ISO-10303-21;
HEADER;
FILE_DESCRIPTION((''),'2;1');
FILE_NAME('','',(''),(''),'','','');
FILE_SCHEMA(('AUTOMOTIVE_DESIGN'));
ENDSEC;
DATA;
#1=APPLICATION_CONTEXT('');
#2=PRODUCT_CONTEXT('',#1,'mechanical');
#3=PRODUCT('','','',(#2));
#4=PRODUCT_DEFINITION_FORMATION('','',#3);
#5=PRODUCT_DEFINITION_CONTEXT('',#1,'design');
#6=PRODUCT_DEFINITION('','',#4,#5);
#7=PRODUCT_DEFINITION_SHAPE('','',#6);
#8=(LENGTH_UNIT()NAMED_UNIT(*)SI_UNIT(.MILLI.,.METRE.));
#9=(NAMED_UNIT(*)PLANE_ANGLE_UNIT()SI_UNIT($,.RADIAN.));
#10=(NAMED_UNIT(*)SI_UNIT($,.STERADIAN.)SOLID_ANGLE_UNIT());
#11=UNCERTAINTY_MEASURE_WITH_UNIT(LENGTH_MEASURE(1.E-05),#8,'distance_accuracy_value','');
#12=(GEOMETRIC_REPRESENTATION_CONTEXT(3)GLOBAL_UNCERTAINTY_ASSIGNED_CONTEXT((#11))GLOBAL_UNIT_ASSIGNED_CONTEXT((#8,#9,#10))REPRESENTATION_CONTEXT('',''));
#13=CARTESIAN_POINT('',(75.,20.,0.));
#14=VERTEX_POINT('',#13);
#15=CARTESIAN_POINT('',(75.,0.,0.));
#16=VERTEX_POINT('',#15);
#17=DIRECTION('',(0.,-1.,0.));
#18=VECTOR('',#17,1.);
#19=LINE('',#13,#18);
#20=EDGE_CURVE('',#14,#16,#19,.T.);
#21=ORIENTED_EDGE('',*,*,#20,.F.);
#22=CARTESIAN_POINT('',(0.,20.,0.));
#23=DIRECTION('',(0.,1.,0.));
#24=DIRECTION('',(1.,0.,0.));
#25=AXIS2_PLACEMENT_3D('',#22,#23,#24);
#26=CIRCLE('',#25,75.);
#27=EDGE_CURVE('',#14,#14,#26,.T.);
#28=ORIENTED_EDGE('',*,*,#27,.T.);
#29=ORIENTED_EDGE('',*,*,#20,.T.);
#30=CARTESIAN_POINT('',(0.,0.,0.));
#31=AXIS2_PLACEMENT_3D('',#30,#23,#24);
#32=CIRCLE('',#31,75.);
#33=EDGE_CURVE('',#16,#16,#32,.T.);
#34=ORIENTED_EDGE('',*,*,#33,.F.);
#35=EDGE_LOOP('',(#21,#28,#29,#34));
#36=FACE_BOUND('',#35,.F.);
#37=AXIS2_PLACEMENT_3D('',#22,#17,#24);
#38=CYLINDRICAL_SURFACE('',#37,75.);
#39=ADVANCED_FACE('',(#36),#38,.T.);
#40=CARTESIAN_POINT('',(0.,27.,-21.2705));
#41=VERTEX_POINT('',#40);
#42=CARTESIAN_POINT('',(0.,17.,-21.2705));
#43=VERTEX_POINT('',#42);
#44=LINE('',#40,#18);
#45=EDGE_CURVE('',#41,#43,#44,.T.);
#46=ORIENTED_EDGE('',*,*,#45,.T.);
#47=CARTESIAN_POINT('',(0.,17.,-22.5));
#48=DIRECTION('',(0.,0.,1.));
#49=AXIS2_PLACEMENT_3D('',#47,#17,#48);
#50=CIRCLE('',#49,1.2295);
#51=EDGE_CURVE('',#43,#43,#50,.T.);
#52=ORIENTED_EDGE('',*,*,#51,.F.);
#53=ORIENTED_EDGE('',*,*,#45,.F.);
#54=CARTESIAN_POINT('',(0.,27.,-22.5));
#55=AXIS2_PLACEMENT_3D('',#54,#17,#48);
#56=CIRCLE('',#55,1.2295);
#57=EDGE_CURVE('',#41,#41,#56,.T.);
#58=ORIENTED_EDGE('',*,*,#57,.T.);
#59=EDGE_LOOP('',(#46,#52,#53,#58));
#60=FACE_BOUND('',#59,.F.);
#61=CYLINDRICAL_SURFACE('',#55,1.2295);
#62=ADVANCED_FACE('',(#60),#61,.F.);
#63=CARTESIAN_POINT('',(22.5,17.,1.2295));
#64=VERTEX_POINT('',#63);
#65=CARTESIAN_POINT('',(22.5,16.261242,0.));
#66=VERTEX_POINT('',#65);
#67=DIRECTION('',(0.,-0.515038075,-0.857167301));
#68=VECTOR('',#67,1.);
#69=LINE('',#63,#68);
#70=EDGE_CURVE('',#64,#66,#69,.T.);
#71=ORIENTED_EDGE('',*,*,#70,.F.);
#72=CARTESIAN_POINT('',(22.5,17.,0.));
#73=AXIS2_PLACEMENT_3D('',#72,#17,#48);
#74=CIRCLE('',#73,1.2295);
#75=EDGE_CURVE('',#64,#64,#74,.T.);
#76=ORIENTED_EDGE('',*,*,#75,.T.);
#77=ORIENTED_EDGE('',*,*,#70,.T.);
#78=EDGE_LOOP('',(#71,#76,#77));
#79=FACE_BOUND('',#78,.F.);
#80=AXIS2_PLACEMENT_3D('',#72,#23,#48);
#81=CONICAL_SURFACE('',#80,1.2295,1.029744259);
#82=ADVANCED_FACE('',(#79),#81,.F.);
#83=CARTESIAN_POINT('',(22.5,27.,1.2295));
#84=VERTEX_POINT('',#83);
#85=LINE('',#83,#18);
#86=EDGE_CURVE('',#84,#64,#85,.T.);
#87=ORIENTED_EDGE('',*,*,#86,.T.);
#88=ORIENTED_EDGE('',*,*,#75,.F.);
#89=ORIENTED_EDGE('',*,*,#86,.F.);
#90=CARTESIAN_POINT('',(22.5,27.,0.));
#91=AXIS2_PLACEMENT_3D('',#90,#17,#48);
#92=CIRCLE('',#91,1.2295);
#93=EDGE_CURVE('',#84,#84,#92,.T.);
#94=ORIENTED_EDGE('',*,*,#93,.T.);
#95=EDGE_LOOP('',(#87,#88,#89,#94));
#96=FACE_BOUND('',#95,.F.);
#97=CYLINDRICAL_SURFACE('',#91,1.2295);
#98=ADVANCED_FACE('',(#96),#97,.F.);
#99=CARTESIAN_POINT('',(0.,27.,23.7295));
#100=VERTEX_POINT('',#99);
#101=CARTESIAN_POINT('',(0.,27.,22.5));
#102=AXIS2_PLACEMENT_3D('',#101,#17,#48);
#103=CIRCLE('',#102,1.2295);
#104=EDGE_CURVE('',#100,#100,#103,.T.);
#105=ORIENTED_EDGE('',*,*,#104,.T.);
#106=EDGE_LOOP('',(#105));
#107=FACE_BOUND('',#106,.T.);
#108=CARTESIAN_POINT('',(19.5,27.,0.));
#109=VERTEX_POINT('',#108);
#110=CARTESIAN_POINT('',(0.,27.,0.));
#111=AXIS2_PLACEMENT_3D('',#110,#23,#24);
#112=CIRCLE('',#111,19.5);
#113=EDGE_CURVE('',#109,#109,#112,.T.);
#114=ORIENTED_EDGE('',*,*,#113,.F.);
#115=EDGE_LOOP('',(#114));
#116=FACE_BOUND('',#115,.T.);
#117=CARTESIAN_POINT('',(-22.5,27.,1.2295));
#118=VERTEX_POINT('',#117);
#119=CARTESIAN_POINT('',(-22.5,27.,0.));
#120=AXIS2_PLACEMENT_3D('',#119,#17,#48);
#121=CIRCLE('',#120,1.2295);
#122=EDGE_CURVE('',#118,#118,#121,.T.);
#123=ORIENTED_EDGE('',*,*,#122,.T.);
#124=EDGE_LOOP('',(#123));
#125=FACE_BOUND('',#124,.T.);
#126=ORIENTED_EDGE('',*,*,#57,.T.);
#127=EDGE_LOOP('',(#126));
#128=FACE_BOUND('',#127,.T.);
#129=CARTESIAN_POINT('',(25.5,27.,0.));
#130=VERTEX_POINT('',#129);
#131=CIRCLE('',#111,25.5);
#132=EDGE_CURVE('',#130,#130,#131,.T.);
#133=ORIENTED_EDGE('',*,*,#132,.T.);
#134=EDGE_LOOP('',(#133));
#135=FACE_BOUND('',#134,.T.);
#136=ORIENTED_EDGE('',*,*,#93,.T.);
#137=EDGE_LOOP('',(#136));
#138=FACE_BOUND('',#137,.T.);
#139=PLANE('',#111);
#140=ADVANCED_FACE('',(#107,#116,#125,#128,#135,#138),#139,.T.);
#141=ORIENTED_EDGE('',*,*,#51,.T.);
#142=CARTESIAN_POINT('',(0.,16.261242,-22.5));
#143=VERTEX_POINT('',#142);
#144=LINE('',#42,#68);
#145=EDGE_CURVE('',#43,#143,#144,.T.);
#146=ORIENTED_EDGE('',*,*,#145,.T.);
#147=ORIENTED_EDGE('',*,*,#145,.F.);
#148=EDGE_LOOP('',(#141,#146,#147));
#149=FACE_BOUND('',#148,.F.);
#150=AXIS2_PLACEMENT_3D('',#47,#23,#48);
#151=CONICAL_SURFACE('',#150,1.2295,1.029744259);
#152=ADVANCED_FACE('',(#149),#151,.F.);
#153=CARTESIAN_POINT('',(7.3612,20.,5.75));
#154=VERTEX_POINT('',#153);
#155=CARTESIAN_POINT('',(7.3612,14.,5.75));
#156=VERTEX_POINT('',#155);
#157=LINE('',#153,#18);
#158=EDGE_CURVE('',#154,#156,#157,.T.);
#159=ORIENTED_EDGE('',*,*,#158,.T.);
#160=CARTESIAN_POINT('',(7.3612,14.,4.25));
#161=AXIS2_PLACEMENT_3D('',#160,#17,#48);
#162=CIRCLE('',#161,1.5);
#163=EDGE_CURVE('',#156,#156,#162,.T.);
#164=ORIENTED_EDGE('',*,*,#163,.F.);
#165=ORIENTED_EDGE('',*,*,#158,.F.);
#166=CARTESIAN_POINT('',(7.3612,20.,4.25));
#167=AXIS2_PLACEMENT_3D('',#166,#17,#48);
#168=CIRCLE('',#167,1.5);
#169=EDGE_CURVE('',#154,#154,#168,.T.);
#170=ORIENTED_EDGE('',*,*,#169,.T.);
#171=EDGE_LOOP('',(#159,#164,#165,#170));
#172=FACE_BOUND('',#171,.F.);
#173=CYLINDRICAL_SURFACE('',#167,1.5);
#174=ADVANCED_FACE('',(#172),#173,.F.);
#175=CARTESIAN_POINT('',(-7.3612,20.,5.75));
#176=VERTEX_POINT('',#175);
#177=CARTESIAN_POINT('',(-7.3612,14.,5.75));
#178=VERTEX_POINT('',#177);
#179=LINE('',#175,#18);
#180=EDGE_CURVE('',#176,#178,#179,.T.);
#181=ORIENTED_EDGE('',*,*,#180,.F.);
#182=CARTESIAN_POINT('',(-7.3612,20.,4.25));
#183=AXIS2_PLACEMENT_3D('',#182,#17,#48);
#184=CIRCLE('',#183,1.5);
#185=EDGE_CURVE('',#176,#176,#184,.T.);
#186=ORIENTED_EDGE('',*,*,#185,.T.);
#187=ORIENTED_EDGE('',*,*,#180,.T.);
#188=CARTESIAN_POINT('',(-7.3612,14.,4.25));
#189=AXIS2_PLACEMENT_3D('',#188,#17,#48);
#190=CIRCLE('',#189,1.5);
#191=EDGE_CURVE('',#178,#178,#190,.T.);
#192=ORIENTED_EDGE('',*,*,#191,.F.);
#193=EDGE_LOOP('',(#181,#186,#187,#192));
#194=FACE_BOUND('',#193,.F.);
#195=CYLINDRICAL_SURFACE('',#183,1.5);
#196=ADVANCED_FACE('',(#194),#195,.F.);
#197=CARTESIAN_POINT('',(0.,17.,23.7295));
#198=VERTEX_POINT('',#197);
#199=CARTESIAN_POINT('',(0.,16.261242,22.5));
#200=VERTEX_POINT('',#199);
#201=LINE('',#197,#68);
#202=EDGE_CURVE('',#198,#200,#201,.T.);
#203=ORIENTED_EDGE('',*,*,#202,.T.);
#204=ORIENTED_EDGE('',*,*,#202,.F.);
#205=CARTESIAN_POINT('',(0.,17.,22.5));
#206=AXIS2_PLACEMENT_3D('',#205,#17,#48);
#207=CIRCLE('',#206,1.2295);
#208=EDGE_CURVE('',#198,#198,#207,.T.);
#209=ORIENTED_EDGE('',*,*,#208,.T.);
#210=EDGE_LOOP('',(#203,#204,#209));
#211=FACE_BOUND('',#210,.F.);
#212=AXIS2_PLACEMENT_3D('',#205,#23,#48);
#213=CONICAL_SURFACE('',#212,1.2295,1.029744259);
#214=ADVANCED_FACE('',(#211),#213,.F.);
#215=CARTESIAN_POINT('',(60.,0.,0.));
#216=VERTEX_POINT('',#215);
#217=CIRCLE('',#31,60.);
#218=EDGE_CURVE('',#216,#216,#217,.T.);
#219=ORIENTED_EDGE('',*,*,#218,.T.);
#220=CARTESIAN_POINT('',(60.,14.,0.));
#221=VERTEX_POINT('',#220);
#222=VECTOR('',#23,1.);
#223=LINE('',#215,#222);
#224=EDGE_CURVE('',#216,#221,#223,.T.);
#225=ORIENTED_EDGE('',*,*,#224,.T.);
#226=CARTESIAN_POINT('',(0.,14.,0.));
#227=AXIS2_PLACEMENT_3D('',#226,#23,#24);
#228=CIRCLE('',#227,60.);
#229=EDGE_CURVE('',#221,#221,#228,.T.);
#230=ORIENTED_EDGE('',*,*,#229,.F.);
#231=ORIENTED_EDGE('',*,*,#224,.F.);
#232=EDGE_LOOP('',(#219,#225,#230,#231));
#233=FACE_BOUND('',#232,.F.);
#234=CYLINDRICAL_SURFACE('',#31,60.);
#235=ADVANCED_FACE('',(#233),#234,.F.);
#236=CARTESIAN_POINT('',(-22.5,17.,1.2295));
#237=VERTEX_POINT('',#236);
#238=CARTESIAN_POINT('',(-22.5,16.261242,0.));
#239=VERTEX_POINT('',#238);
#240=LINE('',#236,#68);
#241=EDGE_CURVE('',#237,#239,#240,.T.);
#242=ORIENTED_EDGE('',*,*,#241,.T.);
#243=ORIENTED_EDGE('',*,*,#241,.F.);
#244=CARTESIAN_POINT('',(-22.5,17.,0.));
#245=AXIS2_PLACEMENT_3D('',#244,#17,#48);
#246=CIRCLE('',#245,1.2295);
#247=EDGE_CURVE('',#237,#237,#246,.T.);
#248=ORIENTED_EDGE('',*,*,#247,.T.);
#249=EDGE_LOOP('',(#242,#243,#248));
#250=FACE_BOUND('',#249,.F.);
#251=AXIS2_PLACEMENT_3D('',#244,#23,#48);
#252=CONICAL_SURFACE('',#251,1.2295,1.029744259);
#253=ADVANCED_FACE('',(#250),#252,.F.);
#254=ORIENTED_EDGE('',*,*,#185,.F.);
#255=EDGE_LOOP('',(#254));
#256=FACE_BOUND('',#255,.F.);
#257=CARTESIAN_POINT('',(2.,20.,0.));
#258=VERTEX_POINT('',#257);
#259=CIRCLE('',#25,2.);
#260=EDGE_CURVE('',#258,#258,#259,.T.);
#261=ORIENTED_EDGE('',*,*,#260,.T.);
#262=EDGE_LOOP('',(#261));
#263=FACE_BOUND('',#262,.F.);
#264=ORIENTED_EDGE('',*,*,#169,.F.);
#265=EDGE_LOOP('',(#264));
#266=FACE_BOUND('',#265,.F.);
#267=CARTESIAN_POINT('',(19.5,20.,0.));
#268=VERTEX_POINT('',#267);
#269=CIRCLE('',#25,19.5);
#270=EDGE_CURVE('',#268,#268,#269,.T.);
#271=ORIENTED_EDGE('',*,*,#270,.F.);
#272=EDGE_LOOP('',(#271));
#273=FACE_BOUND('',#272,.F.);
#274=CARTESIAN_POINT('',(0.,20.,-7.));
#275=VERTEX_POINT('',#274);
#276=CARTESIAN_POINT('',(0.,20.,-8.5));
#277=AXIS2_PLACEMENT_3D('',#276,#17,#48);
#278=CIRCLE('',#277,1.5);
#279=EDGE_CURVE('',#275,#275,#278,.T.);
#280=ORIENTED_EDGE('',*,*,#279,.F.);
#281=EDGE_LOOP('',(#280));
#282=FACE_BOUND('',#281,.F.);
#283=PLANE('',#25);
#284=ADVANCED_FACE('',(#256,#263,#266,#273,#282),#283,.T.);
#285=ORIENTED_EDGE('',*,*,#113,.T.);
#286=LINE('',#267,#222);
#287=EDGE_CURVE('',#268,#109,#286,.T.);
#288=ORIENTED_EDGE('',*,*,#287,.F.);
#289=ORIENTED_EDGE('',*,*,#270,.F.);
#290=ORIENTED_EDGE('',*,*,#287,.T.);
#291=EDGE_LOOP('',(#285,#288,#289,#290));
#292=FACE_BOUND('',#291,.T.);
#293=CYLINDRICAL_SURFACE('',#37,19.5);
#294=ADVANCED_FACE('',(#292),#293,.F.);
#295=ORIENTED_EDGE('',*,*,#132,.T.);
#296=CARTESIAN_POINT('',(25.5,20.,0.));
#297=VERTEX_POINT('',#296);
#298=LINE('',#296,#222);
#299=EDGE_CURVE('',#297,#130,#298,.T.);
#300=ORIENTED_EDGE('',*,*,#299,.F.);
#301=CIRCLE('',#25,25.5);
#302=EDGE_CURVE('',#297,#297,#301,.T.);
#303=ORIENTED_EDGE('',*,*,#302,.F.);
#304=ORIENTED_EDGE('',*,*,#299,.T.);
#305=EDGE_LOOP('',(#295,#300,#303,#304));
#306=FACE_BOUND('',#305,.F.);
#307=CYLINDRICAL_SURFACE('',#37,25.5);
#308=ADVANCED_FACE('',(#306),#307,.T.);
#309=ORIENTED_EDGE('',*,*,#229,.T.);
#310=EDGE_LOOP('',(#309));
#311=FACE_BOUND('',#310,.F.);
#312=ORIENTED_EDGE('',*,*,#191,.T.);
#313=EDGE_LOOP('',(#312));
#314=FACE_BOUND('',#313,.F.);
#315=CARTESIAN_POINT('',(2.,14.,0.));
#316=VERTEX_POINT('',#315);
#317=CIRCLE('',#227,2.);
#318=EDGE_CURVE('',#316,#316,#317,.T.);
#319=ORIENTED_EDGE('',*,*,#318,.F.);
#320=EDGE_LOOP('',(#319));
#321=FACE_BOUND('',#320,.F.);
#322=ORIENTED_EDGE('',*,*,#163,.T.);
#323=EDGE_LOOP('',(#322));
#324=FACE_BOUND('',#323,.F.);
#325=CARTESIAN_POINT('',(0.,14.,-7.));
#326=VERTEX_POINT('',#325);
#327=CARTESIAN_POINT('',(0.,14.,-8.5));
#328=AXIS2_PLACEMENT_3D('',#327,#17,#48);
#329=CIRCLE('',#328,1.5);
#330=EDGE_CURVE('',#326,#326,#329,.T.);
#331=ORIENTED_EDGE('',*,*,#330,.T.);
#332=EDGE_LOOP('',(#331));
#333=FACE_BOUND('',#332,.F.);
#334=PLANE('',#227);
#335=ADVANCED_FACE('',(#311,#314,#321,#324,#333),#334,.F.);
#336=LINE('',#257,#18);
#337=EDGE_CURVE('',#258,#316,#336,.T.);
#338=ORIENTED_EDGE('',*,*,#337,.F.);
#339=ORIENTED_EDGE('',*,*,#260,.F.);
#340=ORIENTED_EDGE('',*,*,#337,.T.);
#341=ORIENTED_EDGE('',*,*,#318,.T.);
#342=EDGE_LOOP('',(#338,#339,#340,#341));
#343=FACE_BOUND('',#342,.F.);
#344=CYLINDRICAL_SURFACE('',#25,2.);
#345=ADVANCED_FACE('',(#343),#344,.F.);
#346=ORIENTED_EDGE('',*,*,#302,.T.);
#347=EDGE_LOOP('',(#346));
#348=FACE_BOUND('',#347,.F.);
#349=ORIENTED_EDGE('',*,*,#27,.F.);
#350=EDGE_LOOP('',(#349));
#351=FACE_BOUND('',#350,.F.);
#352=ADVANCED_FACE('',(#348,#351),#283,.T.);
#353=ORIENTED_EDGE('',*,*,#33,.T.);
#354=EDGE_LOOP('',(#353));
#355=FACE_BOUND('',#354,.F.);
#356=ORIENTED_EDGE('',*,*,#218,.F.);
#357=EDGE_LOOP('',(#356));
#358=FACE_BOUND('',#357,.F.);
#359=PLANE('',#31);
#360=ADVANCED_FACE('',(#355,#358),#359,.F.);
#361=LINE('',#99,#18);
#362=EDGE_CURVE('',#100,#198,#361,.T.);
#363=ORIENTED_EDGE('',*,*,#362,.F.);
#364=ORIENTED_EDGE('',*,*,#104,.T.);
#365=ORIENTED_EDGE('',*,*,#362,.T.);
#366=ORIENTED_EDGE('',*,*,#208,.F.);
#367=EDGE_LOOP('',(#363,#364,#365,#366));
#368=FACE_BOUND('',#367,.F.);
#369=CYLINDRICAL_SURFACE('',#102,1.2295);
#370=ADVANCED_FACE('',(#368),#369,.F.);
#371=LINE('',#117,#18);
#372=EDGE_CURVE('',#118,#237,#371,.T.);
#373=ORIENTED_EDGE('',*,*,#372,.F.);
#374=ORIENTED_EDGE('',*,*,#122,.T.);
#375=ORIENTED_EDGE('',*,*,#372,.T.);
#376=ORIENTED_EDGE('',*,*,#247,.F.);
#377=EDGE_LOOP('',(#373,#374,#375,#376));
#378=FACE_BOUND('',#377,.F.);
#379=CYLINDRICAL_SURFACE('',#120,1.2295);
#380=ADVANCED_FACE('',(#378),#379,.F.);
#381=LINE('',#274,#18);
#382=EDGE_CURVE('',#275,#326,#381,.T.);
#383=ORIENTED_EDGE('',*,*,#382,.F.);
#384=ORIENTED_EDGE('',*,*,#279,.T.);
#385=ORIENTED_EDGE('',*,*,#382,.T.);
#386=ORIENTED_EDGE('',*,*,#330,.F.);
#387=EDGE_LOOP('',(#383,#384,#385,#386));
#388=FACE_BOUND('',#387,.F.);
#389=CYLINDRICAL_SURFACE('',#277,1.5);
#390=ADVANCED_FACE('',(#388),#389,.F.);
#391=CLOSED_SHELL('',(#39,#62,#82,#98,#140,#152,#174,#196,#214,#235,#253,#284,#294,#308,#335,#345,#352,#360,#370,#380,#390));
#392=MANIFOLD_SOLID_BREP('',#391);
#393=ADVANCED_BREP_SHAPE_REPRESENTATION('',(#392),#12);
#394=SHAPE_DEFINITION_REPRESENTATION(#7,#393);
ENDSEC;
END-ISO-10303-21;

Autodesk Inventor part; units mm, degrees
ref_plane "YZ Plane" through (0, 0, 0) normal (1, 0, 0) x (0, 1, 0)
ref_plane "XZ Plane" through (0, 0, 0) normal (0, 1, 0) x (-1, 0, 0)
ref_plane "XY Plane" through (0, 0, 0) normal (0, 0, 1) x (1, 0, 0)
sketch "Sketch1" plane through (0, 0, 0) normal (0, 0, 1) x (1, 0, 0)
  line L0 (0, 20) -> (75, 20)
  line L1 (75, 20) -> (75, 0)
  line L2 (75, 0) -> (60, 0)
  line L3 (60, 0) -> (60, 14)
  line L4 (60, 14) -> (0, 14)
  line L5 (0, 14) -> (0, 20)
  line L6 (-15, 0) -> (90, 0) projected
  line L7 (0, -4) -> (0, 24) projected
  point P0 (0, 0)
  dimension "d2" = 14
  dimension "d3" = 20
  dimension "d5" = 150
  dimension "d6" = 120
revolve "Revolution1" add sketch "Sketch1" angle 360 about axis through (0, 14, 0) along (0, 1, 0) contours L0 L1 L2 L3 L4 L5
sketch "Sketch2" plane through (0, 20, 0) normal (0, 1, 0) x (1, 0, 0)
  circle A0 centre (0, 0) radius 75 projected
  circle A1 centre (0, 0) radius 2
  dimension "d7" = 4
extrude "Extrusion1" cut sketch "Sketch2" against normal through all contours A1
sketch "Sketch3" plane through (0, 20, 0) normal (0, 1, 0) x (1, 0, 0)
  circle A0 centre (0, 0) radius 2 projected
  line L0 (0, 105) -> (0, -105) projected
  line L1 (-105, 0) -> (105, 0) projected
  point P0 (0, 8.5)
  point P1 (-7.3612, -4.25)
  point P2 (7.3612, -4.25)
  dimension "d10" = 8.5
  dimension "d13" = 360
hole "Hole1" at (0, 20, -8.5) at (-7.3612, 20, 4.25) at (7.3612, 20, 4.25) direction (0, -1, 0) diameter 3 end through all
sketch "Sketch4" plane through (0, 20, 0) normal (0, 1, 0) x (1, 0, 0)
  circle A0 centre (0, 0) radius 22.5
  circle A1 centre (0, 0) radius 25.5
  circle A2 centre (0, 0) radius 19.5
  dimension "d23" = 45
  dimension "d24" = 3
  dimension "d25" = 3
extrude "Extrusion2" add sketch "Sketch4" along normal blind 7 contours A0 | A1
sketch "Sketch5" plane through (0, 27, 0) normal (0, 1, 0) x (1, 0, 0)
  circle A0 centre (0, 0) radius 22.5
  point P0 (-22.5, 0)
  point P1 (0, -22.5)
  point P2 (22.5, 0)
  point P3 (0, 22.5)
  dimension "d28" = 45
hole "Hole2" at (-22.5, 27, 0) at (0, 27, 22.5) at (22.5, 27, 0) at (0, 27, -22.5) direction (0, -1, 0) diameter 2.459 depth 10 tip angle 118 thread size "M3x0.5" class "6H" standard "ANSI Metric M Profile"
properties part number "Wheel 2" material "Brass, Soft Yellow, Welded"
